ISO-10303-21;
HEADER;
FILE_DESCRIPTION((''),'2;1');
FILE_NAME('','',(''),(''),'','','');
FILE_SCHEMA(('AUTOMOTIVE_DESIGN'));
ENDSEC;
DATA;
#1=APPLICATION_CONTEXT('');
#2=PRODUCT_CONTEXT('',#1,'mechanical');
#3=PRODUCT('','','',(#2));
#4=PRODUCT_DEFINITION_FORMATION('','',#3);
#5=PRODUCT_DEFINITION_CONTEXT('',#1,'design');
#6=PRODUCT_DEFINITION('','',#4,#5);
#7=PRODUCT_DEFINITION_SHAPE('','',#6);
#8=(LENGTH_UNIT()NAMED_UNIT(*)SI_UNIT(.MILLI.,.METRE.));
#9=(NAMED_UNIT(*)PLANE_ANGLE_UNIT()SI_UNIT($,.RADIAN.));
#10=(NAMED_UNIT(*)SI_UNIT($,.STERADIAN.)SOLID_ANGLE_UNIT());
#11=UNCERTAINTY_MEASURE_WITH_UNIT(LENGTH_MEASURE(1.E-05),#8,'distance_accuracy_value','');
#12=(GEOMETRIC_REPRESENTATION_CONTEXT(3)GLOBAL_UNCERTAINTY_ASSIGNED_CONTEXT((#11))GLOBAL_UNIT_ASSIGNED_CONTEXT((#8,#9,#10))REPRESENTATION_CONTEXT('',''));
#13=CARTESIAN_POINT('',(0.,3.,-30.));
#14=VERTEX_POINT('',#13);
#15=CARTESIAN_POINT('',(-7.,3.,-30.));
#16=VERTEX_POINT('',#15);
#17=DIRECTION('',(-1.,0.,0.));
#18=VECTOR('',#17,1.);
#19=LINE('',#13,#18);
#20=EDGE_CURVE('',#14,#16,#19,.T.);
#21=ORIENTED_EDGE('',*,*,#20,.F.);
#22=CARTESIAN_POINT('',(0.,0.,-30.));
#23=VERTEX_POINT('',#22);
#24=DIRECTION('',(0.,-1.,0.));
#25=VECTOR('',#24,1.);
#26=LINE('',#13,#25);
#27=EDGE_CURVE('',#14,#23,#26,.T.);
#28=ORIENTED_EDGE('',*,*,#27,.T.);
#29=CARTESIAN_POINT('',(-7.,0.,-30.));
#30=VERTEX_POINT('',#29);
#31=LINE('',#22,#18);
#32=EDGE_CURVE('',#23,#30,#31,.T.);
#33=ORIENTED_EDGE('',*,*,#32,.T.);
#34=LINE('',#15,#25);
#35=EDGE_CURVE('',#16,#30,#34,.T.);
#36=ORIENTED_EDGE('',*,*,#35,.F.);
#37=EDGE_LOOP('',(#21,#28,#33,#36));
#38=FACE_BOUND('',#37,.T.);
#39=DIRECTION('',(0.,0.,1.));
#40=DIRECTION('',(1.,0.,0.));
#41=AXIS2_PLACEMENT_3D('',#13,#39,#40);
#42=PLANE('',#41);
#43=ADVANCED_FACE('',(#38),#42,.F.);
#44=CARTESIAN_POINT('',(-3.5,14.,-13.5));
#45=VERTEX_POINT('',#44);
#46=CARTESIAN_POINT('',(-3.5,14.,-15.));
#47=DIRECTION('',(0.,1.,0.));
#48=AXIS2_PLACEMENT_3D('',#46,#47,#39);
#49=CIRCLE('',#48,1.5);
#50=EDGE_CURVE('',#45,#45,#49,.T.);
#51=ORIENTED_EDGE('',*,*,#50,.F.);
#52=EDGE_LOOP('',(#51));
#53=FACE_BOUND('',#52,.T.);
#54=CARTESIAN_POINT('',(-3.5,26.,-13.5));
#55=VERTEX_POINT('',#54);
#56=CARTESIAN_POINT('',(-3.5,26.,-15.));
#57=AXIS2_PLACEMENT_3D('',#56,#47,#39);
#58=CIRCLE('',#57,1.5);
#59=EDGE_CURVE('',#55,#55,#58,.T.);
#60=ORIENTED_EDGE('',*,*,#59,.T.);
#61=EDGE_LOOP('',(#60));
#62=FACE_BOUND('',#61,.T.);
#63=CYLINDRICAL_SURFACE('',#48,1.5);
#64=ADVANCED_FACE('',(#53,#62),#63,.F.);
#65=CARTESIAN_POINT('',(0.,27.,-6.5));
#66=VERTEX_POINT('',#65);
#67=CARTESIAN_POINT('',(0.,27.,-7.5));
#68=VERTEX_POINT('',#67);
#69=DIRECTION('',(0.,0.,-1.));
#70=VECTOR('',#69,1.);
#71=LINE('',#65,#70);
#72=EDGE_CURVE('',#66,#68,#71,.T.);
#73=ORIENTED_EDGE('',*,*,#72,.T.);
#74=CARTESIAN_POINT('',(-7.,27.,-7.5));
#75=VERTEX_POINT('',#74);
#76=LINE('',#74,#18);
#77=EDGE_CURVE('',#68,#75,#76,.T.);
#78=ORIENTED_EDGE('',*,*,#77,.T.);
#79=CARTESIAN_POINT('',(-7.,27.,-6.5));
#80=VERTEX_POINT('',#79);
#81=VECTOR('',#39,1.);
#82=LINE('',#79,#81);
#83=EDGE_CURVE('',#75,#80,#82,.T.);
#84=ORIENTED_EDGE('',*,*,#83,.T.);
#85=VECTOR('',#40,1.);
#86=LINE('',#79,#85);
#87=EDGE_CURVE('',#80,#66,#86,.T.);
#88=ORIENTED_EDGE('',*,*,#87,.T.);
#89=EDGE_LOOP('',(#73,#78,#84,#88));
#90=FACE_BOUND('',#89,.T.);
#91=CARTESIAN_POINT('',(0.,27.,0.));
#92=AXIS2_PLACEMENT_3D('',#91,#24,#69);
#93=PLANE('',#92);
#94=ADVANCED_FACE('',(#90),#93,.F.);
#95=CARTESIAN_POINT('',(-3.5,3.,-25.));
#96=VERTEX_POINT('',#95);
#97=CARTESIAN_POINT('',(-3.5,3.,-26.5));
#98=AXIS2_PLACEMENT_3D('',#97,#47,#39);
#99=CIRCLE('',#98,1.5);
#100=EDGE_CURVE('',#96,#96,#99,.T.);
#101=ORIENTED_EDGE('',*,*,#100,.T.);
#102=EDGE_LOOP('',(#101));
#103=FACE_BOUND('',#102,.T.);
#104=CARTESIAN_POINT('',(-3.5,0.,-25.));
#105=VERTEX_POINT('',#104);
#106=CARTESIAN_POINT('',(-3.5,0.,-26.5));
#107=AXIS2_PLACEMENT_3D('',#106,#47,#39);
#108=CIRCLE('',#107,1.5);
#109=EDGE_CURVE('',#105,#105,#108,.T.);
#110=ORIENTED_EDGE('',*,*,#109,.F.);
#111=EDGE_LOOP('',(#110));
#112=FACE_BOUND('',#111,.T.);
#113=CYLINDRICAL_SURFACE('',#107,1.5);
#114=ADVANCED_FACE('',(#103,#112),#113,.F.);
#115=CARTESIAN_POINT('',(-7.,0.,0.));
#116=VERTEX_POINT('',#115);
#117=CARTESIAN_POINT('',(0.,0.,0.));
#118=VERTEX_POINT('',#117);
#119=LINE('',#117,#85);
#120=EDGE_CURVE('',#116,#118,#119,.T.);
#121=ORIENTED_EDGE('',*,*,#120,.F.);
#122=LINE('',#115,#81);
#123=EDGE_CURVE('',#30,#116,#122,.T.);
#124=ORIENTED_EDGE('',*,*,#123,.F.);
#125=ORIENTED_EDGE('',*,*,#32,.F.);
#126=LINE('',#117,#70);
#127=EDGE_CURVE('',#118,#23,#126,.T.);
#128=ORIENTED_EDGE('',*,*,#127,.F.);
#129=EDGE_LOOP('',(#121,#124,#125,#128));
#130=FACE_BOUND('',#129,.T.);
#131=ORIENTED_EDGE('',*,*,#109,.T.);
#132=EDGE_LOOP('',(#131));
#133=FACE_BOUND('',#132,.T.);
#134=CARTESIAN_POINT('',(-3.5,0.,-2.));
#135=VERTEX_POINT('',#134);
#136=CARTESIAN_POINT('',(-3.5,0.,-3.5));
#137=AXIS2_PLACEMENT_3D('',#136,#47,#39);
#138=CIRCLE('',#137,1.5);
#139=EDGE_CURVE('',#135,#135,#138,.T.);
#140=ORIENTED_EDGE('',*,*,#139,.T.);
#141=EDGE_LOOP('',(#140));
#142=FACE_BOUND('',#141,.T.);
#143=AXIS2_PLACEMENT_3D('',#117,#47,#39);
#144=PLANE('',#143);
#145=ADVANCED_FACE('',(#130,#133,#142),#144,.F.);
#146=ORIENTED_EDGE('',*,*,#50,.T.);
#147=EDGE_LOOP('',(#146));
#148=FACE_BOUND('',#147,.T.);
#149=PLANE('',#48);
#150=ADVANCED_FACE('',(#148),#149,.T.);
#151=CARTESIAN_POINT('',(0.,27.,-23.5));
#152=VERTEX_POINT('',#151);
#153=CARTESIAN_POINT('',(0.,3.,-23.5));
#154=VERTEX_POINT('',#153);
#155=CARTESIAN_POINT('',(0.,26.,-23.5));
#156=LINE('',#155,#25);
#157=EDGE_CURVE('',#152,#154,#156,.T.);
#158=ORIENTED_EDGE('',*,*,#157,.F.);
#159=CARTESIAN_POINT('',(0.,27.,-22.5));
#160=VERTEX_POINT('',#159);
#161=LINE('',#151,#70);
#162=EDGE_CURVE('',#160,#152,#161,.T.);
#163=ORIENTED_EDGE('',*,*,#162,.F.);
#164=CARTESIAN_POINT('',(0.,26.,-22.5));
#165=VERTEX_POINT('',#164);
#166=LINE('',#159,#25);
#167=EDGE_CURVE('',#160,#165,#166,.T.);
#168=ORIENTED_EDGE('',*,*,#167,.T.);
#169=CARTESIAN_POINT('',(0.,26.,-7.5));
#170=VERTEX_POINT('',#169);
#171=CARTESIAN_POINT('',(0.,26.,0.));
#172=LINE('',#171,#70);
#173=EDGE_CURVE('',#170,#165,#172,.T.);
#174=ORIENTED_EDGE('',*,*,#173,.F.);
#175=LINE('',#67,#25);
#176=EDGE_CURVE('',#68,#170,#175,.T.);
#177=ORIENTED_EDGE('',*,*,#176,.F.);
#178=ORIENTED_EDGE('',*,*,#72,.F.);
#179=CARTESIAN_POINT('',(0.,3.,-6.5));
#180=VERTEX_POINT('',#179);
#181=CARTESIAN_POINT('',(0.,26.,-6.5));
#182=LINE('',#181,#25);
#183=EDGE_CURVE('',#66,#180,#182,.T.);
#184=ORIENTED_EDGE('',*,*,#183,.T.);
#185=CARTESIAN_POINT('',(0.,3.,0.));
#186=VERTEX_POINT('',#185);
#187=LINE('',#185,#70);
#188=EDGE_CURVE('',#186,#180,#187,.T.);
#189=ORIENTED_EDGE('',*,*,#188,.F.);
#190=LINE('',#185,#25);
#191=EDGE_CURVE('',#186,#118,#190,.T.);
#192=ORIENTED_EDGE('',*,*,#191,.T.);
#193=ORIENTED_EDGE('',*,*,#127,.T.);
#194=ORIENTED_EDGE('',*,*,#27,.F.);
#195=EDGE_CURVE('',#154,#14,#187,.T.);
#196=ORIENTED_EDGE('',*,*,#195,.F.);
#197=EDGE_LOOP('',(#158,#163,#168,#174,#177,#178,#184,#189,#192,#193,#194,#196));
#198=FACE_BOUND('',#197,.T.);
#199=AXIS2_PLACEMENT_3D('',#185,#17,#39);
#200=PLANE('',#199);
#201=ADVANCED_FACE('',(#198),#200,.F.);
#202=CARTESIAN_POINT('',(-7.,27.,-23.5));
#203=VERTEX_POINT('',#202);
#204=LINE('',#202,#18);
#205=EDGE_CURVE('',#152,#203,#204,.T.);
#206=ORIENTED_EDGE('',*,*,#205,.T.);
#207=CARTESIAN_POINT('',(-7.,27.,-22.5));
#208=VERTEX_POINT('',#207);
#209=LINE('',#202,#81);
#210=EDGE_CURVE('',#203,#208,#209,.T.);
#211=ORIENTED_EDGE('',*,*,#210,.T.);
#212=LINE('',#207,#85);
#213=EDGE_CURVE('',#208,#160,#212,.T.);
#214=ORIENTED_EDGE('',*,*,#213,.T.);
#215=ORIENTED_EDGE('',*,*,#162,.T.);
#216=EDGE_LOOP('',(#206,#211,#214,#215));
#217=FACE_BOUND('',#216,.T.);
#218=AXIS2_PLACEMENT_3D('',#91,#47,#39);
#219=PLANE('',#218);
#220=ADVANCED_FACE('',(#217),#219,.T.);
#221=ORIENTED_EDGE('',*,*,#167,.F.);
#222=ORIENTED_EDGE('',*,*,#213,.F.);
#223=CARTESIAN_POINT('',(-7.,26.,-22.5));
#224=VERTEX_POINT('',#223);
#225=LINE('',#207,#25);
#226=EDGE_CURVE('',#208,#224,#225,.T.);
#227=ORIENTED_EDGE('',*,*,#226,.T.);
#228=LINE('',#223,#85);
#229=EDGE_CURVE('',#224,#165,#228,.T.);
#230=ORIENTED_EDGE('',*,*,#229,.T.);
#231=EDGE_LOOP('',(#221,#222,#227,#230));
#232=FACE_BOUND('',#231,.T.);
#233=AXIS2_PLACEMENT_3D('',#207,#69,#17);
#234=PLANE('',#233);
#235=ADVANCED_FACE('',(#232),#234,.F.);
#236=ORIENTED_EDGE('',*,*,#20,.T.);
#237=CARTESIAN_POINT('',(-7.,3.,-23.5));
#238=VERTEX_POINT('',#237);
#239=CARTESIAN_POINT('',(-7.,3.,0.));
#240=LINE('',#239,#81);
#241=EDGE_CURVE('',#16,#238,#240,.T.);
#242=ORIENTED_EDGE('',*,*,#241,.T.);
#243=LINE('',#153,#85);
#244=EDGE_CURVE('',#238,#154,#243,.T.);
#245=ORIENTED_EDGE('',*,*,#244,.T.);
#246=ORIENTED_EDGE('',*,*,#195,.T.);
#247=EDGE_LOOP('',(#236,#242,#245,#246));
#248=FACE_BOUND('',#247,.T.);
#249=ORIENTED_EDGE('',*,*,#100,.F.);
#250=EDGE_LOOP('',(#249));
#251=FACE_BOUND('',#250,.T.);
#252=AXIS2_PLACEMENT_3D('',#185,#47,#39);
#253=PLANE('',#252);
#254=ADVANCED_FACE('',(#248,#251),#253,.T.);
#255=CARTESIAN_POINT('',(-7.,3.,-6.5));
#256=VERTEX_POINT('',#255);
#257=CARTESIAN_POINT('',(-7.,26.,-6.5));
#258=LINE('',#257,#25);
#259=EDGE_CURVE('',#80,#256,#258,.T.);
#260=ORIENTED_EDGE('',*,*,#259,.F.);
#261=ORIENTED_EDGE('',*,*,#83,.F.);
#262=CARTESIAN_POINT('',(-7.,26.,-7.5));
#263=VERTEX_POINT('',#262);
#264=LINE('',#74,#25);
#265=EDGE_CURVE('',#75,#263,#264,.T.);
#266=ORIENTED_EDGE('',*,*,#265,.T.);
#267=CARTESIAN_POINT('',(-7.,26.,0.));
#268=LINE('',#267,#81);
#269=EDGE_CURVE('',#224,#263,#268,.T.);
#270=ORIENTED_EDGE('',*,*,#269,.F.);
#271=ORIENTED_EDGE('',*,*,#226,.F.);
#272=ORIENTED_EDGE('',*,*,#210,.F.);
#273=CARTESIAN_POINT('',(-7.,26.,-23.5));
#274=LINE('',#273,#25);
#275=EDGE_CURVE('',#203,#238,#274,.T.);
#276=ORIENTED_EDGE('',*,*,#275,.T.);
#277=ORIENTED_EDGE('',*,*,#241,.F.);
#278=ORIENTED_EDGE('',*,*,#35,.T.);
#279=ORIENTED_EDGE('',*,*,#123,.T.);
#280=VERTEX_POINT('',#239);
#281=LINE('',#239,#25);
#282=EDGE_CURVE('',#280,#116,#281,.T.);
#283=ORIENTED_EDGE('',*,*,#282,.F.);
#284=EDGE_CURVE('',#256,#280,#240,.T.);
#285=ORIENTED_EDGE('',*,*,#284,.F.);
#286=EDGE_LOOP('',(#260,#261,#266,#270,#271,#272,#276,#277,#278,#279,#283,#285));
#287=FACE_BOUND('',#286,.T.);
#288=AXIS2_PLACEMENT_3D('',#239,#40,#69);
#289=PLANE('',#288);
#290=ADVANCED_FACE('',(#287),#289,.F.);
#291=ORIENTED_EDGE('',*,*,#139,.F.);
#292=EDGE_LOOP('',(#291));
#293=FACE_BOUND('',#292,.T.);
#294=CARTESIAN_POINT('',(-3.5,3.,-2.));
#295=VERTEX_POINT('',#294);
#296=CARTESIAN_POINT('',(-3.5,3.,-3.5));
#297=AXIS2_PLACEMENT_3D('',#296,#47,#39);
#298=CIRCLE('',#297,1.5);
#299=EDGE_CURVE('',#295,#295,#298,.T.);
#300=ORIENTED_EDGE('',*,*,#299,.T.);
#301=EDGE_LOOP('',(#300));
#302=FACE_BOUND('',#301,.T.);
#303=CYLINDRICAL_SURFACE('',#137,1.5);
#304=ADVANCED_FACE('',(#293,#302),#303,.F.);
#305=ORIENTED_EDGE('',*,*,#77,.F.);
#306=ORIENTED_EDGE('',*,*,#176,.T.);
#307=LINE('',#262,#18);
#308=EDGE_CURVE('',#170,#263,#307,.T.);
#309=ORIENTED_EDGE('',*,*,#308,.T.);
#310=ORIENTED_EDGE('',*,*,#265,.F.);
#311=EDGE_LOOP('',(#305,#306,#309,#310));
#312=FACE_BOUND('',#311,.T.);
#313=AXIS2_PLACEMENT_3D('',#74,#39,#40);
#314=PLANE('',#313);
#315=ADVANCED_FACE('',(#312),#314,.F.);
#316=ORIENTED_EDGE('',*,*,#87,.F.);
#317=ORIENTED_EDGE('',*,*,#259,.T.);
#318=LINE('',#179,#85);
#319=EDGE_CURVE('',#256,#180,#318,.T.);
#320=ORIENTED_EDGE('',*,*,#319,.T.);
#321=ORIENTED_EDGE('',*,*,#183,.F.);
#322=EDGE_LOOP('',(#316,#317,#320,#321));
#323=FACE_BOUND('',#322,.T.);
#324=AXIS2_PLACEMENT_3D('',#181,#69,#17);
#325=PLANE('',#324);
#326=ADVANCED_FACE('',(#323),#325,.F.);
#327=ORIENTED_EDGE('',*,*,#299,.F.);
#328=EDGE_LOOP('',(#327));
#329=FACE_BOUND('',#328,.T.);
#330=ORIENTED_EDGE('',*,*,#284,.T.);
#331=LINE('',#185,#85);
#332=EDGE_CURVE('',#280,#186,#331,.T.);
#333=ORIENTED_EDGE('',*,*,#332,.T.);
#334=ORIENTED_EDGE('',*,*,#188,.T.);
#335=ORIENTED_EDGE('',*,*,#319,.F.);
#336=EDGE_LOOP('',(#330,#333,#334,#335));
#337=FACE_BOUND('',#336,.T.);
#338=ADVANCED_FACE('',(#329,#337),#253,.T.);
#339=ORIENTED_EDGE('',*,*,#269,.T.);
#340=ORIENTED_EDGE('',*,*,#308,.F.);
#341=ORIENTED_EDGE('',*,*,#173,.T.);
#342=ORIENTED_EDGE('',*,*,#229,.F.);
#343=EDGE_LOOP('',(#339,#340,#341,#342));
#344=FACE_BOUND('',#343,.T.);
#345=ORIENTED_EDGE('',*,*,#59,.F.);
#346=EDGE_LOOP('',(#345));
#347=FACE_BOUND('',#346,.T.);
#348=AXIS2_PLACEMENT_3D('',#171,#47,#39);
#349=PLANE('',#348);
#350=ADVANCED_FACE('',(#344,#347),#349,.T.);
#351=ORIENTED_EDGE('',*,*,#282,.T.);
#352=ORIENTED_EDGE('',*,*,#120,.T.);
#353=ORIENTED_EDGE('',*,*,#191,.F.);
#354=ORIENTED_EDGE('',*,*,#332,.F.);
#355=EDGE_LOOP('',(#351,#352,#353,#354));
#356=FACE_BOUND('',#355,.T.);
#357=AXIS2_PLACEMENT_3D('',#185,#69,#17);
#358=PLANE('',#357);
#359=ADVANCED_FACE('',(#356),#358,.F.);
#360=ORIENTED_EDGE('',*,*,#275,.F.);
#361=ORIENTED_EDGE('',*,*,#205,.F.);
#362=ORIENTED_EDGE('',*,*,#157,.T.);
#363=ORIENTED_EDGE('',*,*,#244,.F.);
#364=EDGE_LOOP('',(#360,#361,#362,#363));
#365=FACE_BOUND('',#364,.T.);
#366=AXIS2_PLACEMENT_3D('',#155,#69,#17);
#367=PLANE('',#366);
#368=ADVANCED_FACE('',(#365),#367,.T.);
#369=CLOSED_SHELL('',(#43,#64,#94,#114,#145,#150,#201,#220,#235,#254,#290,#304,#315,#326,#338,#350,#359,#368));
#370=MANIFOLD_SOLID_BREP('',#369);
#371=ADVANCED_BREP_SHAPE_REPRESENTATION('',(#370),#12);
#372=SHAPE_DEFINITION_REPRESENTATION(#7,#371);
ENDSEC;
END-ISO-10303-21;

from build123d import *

# Parameters (mm, degrees)
SKETCH1_W           = 7
SKETCH1_H           = 30
BOSS_EXTRUDE1_DEPTH = 3
SKETCH2_R           = 1.5
CUT_EXTRUDE1_DEPTH  = 3
SKETCH3_W           = 7
SKETCH3_H           = 8.5
BOSS_EXTRUDE2_DEPTH = 23
SKETCH4_R           = 1.5
CUT_EXTRUDE3_DEPTH  = 12
SKETCH5_W           = 7
SKETCH5_H           = 1
BOSS_EXTRUDE3_DEPTH = 1


with BuildPart() as part:
    # Sketch1 → Boss-Extrude1 (new body)
    with BuildSketch(Plane(origin=(0, 0, 0), x_dir=(1, 0, 0), z_dir=(0, 1, 0))):
        with Locations((-3.5, 15)):
            Rectangle(SKETCH1_W, SKETCH1_H)
    extrude(amount=BOSS_EXTRUDE1_DEPTH)

    # Sketch2 → Cut-Extrude1 (cut)
    with BuildSketch(Plane(origin=(0, 3, 0), x_dir=(1, 0, 0), z_dir=(0, 1, 0))):
        with Locations(Location((-3.5, 26.5, 0), (0, 0, 270))):
            Circle(SKETCH2_R)
        with Locations(Location((-3.5, 3.5, 0), (0, 0, 270))):
            Circle(SKETCH2_R)
    extrude(amount=-CUT_EXTRUDE1_DEPTH, mode=Mode.SUBTRACT)

    # Sketch3 → Boss-Extrude2 (add)
    with BuildSketch(Plane(origin=(0, 3, 0), x_dir=(1, 0, 0), z_dir=(0, 1, 0))):
        with Locations((-3.5, 19.25)):
            Rectangle(SKETCH3_W, SKETCH3_H)
        with Locations((-3.5, 10.75)):
            Rectangle(SKETCH3_W, SKETCH3_H)
    extrude(amount=BOSS_EXTRUDE2_DEPTH)

    # Sketch4 → Cut-Extrude3 (cut)
    with BuildSketch(Plane(origin=(0, 26, 0), x_dir=(1, 0, 0), z_dir=(0, 1, 0))):
        with Locations(Location((-3.5, 15, 0), (0, 0, 270))):
            Circle(SKETCH4_R)
    extrude(amount=-CUT_EXTRUDE3_DEPTH, mode=Mode.SUBTRACT)

    # Sketch5 → Boss-Extrude3 (add)
    with BuildSketch(Plane(origin=(0, 26, 0), x_dir=(1, 0, 0), z_dir=(0, 1, 0))):
        with Locations((-3.5, 23)):
            Rectangle(SKETCH5_W, SKETCH5_H)
        with Locations((-3.5, 7)):
            Rectangle(SKETCH5_W, SKETCH5_H)
    extrude(amount=BOSS_EXTRUDE3_DEPTH)


solid = part.part
